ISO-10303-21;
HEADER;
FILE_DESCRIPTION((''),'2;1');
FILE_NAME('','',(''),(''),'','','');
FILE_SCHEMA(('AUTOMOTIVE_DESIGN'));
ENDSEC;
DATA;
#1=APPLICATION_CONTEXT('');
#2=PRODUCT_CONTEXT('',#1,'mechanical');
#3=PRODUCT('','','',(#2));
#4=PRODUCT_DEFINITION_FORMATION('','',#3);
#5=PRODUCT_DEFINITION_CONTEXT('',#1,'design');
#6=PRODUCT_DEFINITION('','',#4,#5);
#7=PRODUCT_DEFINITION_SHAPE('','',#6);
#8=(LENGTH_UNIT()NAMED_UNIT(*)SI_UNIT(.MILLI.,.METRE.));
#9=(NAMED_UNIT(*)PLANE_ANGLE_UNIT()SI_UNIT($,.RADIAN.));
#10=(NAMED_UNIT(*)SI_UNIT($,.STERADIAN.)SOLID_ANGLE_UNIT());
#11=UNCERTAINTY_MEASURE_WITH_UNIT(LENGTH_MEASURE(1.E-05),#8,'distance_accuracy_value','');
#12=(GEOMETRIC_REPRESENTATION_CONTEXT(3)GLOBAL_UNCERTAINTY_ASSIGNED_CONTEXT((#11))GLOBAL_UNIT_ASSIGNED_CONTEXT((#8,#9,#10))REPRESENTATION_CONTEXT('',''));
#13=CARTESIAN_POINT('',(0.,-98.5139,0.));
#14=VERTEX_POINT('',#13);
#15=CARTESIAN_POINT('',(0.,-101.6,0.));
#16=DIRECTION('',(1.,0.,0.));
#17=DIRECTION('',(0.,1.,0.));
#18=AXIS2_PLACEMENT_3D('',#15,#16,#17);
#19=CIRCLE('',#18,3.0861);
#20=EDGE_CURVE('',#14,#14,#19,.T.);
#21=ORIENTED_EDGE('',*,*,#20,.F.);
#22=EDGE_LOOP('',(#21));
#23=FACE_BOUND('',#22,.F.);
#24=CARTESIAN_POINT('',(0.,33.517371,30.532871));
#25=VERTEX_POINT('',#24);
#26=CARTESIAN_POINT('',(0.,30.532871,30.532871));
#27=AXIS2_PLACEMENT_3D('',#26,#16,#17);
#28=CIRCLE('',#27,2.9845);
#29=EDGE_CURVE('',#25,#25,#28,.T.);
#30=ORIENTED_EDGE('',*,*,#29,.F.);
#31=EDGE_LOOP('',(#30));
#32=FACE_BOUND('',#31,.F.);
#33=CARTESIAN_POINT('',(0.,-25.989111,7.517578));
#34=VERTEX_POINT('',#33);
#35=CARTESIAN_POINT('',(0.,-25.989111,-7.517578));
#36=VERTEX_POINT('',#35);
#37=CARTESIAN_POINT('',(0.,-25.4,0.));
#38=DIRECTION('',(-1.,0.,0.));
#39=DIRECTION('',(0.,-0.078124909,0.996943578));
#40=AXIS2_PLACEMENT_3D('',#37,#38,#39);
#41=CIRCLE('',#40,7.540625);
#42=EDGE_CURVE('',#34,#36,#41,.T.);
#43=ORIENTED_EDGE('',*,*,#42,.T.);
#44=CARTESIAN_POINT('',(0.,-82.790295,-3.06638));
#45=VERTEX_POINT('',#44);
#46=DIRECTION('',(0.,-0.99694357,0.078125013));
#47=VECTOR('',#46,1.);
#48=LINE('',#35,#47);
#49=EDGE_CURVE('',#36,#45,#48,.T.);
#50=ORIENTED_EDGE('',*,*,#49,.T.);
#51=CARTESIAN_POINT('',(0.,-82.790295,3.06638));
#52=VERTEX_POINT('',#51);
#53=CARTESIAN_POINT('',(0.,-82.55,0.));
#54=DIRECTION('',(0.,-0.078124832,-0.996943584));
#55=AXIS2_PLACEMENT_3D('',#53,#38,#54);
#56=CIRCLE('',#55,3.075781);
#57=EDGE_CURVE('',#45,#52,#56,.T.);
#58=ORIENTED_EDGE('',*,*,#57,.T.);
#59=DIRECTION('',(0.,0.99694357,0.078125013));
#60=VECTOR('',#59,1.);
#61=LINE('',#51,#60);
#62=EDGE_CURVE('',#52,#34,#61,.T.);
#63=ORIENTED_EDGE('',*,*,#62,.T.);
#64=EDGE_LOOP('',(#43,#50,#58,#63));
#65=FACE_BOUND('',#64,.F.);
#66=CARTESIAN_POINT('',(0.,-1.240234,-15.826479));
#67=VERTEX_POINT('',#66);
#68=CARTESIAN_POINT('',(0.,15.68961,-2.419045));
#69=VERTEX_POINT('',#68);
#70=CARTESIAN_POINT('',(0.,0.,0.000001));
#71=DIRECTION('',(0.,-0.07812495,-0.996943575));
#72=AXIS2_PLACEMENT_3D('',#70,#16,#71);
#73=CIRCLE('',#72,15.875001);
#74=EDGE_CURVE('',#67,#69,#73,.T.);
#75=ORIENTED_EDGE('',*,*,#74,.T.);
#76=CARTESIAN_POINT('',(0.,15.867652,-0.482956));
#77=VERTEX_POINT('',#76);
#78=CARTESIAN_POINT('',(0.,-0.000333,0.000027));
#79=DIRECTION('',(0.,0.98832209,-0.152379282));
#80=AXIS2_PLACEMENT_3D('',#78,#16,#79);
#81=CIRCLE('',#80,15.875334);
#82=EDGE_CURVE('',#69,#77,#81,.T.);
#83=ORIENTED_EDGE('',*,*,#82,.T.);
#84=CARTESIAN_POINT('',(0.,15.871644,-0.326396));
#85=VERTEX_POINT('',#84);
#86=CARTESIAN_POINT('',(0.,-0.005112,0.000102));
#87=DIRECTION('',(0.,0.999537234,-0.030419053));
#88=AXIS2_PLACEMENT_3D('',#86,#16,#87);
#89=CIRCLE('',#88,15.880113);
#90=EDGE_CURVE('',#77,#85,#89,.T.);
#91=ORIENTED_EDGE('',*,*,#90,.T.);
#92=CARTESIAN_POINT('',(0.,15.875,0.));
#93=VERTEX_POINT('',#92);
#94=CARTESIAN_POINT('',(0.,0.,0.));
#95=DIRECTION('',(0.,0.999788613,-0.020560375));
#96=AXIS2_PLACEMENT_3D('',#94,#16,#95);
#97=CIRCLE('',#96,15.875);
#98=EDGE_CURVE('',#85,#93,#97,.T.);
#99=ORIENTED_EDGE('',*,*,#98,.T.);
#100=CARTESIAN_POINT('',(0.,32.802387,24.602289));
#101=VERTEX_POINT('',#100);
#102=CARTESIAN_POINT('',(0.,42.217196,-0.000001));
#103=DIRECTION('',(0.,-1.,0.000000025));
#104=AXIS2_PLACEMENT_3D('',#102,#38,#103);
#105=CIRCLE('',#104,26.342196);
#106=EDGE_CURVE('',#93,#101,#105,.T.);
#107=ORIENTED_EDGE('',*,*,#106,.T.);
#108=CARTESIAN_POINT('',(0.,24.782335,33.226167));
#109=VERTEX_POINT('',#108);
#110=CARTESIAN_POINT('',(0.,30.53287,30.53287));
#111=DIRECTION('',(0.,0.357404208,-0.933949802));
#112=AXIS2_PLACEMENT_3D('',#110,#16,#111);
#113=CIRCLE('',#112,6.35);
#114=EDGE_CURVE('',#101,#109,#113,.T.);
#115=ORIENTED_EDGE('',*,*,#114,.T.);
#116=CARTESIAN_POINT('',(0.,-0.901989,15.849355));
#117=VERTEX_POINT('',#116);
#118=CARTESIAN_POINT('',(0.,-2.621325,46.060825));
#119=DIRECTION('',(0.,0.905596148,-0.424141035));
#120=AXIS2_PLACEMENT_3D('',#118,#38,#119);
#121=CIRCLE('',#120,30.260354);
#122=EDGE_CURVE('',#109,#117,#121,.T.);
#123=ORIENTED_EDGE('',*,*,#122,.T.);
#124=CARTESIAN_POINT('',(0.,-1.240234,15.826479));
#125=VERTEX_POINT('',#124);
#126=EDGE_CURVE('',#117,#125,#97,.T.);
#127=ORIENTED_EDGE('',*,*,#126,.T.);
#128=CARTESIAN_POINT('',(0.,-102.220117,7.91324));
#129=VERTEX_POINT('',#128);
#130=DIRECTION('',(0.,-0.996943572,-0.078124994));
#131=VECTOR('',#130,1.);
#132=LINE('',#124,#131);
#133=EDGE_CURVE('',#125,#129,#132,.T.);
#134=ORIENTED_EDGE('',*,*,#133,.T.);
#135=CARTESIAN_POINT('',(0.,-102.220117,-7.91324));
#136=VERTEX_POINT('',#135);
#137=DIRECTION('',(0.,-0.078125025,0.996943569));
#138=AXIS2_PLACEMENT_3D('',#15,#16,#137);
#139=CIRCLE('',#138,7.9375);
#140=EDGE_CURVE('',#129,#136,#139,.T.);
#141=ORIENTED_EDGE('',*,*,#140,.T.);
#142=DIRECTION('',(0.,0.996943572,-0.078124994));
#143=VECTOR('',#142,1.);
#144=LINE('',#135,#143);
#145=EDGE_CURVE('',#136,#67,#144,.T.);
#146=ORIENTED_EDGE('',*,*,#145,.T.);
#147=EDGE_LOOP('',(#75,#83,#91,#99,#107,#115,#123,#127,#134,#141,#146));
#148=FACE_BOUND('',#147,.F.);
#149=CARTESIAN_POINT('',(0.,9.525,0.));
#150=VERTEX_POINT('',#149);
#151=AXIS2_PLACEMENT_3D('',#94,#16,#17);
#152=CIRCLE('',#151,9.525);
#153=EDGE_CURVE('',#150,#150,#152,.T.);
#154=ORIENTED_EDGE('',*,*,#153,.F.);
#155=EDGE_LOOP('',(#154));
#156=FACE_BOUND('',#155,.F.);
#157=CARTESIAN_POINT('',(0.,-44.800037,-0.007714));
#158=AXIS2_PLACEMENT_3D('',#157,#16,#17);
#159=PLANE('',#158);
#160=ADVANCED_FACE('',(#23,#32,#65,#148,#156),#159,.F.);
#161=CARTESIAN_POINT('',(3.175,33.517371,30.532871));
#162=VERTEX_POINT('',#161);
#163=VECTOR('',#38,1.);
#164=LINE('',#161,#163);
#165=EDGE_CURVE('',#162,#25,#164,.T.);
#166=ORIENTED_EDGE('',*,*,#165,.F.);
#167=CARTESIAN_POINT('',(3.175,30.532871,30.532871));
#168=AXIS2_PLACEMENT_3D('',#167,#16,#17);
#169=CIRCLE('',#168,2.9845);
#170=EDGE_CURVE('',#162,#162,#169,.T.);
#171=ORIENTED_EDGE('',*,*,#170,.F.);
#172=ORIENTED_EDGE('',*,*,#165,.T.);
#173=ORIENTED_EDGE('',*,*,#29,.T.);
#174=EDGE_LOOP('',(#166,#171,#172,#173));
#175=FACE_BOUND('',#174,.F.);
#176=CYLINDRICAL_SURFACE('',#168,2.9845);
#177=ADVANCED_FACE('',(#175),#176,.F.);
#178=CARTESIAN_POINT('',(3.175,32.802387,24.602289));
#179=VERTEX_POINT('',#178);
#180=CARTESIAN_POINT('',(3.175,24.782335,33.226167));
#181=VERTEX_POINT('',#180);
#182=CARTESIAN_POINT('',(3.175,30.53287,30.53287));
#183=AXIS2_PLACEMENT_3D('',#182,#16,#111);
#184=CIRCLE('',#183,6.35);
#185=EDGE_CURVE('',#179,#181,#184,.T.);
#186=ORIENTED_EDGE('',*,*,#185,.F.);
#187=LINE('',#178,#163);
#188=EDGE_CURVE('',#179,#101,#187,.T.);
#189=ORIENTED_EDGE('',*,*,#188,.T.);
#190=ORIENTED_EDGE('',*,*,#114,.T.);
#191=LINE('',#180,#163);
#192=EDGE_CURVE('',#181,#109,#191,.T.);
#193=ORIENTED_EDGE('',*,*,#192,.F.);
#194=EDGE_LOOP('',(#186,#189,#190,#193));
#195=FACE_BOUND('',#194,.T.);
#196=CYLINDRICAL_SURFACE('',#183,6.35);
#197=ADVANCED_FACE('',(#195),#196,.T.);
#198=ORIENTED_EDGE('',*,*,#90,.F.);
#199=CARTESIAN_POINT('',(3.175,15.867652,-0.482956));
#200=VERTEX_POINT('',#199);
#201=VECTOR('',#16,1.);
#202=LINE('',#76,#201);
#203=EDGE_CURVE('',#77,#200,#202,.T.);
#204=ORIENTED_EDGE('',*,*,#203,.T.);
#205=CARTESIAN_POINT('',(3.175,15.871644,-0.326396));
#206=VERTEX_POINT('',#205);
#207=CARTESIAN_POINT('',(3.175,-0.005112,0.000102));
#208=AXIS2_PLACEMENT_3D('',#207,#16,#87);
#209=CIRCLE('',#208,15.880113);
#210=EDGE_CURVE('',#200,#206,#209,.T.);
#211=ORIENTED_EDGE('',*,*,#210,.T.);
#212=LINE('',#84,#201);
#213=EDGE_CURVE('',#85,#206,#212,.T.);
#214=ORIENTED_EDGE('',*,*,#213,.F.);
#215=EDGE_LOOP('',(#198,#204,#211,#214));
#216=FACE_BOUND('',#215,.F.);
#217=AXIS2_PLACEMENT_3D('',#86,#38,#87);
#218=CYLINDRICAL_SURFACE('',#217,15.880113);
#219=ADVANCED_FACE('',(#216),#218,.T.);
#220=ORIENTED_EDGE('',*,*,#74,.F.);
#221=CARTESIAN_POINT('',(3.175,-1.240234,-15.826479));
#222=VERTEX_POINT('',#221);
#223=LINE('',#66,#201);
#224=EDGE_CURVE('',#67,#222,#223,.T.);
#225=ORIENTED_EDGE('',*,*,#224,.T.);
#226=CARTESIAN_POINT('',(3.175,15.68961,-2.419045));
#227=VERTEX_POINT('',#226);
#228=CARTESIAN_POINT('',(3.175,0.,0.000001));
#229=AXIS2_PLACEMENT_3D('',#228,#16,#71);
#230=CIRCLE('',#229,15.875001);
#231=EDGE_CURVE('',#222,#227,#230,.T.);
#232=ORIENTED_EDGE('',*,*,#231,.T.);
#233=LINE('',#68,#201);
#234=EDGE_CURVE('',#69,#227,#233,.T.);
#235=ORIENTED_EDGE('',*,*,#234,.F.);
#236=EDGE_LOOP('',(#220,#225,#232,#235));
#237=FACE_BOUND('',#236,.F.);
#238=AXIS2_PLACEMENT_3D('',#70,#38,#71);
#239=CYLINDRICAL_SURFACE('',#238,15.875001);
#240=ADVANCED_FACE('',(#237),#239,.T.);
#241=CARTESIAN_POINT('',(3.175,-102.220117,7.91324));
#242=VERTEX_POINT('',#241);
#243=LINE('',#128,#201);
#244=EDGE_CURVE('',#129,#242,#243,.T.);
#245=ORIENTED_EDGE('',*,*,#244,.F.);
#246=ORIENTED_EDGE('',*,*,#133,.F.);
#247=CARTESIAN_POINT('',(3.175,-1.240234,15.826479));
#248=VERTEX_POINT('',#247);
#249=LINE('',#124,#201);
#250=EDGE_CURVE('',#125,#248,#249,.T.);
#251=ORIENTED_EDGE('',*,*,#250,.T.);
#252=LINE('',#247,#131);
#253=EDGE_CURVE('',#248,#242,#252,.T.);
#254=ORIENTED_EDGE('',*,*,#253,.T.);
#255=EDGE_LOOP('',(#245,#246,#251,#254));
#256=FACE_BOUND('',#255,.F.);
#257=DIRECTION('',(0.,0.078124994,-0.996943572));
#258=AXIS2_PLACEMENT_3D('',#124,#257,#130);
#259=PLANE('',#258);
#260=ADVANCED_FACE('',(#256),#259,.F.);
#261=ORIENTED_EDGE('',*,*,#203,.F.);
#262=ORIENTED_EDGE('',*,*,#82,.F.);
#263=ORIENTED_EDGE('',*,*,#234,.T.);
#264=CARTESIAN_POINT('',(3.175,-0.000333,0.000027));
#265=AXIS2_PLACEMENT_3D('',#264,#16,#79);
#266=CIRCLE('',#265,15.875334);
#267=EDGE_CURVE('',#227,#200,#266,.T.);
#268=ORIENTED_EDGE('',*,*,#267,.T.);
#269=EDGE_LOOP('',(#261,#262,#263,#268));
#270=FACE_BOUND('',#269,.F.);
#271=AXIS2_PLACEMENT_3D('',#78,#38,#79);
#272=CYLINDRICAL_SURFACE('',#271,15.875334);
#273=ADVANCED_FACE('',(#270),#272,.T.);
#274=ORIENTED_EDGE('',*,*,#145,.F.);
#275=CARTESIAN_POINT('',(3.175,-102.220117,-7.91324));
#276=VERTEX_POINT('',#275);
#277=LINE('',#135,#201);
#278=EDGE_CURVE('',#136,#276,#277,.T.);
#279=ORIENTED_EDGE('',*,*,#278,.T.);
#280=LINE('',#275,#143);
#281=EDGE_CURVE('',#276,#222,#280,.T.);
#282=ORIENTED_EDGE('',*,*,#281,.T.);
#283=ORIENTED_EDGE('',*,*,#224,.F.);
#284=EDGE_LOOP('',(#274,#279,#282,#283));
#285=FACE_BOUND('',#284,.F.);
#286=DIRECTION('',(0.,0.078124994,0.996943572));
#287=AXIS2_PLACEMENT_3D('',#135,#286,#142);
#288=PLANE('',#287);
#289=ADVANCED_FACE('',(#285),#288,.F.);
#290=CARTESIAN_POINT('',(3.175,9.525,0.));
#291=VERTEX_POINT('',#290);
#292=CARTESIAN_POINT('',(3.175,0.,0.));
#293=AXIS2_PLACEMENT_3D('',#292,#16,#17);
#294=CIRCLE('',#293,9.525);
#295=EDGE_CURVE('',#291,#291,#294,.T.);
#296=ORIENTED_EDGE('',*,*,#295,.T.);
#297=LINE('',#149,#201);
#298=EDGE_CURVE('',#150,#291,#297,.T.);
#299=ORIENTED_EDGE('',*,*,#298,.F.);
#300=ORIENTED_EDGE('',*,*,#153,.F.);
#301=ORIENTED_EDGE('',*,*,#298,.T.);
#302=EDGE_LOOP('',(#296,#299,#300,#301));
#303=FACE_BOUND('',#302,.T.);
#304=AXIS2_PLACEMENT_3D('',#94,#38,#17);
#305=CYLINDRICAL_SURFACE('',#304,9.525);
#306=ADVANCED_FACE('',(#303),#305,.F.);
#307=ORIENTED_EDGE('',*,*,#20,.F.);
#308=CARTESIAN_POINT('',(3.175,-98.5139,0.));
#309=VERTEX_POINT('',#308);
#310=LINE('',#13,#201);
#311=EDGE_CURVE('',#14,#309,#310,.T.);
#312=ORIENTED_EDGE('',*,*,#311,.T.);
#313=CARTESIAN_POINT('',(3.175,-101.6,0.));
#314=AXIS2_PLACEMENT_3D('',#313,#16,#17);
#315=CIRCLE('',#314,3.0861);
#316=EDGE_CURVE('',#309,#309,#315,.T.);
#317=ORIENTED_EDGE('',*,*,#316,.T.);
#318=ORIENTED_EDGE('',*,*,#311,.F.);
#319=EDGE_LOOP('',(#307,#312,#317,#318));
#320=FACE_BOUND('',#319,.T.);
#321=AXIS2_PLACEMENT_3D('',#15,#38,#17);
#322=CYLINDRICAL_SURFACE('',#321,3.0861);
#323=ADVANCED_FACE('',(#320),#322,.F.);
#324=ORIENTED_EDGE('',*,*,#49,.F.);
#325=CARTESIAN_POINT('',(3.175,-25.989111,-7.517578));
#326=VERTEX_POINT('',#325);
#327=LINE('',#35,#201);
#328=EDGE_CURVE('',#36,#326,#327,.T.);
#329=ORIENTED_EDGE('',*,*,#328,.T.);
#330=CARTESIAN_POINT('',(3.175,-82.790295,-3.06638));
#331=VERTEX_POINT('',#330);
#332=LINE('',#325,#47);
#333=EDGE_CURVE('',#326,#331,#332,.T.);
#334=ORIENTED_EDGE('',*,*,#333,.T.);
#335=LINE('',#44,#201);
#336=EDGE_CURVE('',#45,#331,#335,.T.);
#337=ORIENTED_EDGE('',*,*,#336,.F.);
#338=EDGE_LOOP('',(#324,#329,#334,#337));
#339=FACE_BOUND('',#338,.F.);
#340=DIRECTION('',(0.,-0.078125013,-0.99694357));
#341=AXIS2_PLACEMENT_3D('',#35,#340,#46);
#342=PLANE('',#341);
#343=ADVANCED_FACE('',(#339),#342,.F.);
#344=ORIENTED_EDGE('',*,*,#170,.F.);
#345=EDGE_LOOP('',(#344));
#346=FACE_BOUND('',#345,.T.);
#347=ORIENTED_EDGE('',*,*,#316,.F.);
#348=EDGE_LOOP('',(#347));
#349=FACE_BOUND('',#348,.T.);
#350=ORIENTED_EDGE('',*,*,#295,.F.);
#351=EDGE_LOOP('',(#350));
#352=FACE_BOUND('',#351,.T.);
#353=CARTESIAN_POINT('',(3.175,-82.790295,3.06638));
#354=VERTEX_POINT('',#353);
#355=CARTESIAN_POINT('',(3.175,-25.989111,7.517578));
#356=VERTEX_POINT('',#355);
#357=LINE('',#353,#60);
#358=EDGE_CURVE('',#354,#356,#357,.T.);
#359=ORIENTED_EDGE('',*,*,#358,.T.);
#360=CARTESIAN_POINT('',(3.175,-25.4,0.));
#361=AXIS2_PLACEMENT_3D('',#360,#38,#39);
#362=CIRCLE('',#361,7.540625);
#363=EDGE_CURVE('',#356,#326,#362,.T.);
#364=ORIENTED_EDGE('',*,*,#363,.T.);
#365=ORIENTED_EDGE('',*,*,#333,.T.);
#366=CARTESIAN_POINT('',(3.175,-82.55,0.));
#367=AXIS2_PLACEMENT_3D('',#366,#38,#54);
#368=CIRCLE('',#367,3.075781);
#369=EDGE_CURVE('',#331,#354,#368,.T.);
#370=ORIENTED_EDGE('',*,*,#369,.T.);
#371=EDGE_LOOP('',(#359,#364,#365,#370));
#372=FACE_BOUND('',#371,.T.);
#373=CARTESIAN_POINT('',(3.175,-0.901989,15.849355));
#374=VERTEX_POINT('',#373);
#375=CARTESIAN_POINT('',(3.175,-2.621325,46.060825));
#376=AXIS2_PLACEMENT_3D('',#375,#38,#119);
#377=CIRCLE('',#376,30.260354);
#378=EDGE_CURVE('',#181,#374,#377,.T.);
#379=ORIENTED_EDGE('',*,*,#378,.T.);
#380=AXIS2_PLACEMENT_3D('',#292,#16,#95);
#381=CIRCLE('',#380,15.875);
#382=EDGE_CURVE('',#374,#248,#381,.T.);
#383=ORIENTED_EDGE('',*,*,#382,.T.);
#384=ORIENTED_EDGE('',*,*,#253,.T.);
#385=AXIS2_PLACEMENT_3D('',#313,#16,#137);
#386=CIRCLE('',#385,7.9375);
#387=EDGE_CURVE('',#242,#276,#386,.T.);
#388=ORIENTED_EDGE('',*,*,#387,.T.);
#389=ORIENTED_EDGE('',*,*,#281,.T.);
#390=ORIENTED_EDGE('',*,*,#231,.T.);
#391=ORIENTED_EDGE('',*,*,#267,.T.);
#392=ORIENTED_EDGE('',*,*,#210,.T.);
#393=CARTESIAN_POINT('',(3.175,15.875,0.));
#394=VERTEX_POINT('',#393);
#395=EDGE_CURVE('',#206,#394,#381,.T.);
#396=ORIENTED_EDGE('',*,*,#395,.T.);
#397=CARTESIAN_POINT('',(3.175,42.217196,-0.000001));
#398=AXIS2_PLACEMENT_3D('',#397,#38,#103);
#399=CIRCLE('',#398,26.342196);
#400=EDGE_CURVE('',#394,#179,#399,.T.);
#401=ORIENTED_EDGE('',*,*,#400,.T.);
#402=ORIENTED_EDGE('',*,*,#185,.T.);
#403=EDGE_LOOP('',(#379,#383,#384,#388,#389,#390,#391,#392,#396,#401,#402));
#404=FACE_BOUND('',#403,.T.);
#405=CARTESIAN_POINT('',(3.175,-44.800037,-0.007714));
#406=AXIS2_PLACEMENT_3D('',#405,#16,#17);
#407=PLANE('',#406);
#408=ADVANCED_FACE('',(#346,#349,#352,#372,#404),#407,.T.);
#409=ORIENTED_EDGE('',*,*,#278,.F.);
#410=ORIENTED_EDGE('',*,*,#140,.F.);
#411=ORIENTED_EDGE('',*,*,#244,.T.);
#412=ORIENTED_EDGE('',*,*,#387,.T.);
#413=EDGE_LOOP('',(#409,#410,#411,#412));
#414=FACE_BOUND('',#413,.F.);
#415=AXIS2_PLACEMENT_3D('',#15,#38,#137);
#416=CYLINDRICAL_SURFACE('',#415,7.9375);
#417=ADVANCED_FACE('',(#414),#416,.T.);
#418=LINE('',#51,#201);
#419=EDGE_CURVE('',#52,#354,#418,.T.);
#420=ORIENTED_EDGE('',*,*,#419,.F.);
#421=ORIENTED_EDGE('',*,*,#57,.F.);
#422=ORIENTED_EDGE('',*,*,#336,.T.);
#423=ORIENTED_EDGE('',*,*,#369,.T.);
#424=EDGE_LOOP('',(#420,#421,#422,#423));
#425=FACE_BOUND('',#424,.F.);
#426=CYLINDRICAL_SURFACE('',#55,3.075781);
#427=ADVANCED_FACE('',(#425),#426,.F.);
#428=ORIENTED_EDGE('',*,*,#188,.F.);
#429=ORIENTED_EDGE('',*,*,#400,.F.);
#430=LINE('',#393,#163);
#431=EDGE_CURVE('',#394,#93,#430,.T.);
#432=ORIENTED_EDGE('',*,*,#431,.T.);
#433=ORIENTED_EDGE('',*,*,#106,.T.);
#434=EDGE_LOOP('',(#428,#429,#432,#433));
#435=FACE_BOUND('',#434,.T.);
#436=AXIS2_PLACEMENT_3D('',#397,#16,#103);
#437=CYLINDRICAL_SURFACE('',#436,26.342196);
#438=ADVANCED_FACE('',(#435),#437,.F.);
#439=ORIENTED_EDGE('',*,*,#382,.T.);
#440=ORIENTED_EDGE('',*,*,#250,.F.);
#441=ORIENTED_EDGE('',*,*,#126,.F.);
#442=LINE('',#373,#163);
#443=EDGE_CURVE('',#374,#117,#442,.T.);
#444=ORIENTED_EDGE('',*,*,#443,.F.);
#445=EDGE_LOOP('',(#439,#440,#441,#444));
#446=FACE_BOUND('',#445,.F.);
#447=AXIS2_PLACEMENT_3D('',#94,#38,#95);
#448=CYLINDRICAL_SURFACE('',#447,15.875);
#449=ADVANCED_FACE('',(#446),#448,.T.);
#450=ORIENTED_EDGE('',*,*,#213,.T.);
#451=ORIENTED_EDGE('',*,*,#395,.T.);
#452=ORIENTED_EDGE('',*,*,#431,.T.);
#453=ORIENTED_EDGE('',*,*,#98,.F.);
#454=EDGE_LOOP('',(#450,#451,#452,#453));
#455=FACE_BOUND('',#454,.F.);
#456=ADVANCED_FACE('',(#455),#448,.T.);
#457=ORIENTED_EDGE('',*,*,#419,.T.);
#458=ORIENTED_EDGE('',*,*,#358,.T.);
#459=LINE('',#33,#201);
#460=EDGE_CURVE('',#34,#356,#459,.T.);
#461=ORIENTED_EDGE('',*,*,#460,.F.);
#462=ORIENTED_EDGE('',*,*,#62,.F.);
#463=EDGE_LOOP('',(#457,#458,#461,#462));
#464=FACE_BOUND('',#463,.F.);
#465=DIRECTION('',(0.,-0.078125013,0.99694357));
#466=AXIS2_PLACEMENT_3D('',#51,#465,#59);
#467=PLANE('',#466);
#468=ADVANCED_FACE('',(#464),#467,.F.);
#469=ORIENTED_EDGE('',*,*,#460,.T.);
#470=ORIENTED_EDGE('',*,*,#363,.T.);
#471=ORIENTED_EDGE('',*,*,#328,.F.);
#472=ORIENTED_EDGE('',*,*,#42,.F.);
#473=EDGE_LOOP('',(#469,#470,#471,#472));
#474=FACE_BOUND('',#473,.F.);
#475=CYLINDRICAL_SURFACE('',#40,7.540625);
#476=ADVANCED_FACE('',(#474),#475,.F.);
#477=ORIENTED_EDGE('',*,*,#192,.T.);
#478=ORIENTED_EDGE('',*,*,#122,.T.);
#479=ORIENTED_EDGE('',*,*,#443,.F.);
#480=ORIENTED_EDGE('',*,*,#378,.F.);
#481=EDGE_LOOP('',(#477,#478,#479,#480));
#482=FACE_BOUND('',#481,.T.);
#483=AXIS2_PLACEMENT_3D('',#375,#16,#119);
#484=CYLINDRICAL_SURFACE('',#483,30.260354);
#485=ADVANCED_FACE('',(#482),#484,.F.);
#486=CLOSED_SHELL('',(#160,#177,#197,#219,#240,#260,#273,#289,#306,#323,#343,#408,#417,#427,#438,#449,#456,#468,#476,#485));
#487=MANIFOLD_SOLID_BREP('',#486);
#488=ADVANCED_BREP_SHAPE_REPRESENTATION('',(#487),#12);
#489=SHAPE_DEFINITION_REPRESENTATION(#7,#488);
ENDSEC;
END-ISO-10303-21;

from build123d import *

# Parameters (mm, degrees)
F0_R     = 9.525
F0_R_2   = 3.0861
F1_DEPTH = 3.175
F2_R     = 2.9845
F3_DEPTH = 3.175


with BuildPart() as f1:
    # F0 (on Right) → F1 (new body)
    with BuildSketch(Plane.YZ):
        with BuildLine():
            Line((-102.220117, -7.91324), (-1.240234, -15.826479))
            ThreePointArc((-1.240234, -15.826479), (9.855756, -12.445067), (15.68961, -2.419045))
            ThreePointArc((15.68961, -2.419045), (15.808298, -1.453729), (15.867652, -0.482956))
            ThreePointArc((15.867652, -0.482956), (15.869841, -0.404681), (15.871644, -0.326396))
            ThreePointArc((15.871644, -0.326396), (10.897173, 11.544143), (-1.240234, 15.826479))
            Line((-1.240234, 15.826479), (-102.220117, 7.91324))
            ThreePointArc((-102.220117, 7.91324), (-109.5375, 0), (-102.220117, -7.91324))
        make_face()
        with BuildLine():
            ThreePointArc((-25.989111, 7.517578), (-17.859375, 0), (-25.989111, -7.517578))
            Line((-25.989111, -7.517578), (-82.790295, -3.06638))
            ThreePointArc((-82.790295, -3.06638), (-85.625781, 0), (-82.790295, 3.06638))
            Line((-82.790295, 3.06638), (-25.989111, 7.517578))
        make_face(mode=Mode.SUBTRACT)
        Circle(F0_R, mode=Mode.SUBTRACT)
        with Locations((-101.6, 0)):
            Circle(F0_R_2, mode=Mode.SUBTRACT)
    extrude(amount=F1_DEPTH)

    # F2 (on face) → F3 (join)
    with BuildSketch(Plane.YZ.offset(3.175)):
        with BuildLine():
            ThreePointArc((32.802387, 24.602289), (35.182837, 34.857256), (24.782335, 33.226167))
            ThreePointArc((24.782335, 33.226167), (14.335256, 20.997637), (-0.901989, 15.849355))
            ThreePointArc((-0.901989, 15.849355), (10.901756, 11.539816), (15.875, 0))
            ThreePointArc((15.875, 0), (20.515606, 14.931586), (32.802387, 24.602289))
        make_face()
        with Locations((30.532871, 30.532871)):
            Circle(F2_R, mode=Mode.SUBTRACT)
    extrude(amount=-F3_DEPTH)


solid = f1.part
